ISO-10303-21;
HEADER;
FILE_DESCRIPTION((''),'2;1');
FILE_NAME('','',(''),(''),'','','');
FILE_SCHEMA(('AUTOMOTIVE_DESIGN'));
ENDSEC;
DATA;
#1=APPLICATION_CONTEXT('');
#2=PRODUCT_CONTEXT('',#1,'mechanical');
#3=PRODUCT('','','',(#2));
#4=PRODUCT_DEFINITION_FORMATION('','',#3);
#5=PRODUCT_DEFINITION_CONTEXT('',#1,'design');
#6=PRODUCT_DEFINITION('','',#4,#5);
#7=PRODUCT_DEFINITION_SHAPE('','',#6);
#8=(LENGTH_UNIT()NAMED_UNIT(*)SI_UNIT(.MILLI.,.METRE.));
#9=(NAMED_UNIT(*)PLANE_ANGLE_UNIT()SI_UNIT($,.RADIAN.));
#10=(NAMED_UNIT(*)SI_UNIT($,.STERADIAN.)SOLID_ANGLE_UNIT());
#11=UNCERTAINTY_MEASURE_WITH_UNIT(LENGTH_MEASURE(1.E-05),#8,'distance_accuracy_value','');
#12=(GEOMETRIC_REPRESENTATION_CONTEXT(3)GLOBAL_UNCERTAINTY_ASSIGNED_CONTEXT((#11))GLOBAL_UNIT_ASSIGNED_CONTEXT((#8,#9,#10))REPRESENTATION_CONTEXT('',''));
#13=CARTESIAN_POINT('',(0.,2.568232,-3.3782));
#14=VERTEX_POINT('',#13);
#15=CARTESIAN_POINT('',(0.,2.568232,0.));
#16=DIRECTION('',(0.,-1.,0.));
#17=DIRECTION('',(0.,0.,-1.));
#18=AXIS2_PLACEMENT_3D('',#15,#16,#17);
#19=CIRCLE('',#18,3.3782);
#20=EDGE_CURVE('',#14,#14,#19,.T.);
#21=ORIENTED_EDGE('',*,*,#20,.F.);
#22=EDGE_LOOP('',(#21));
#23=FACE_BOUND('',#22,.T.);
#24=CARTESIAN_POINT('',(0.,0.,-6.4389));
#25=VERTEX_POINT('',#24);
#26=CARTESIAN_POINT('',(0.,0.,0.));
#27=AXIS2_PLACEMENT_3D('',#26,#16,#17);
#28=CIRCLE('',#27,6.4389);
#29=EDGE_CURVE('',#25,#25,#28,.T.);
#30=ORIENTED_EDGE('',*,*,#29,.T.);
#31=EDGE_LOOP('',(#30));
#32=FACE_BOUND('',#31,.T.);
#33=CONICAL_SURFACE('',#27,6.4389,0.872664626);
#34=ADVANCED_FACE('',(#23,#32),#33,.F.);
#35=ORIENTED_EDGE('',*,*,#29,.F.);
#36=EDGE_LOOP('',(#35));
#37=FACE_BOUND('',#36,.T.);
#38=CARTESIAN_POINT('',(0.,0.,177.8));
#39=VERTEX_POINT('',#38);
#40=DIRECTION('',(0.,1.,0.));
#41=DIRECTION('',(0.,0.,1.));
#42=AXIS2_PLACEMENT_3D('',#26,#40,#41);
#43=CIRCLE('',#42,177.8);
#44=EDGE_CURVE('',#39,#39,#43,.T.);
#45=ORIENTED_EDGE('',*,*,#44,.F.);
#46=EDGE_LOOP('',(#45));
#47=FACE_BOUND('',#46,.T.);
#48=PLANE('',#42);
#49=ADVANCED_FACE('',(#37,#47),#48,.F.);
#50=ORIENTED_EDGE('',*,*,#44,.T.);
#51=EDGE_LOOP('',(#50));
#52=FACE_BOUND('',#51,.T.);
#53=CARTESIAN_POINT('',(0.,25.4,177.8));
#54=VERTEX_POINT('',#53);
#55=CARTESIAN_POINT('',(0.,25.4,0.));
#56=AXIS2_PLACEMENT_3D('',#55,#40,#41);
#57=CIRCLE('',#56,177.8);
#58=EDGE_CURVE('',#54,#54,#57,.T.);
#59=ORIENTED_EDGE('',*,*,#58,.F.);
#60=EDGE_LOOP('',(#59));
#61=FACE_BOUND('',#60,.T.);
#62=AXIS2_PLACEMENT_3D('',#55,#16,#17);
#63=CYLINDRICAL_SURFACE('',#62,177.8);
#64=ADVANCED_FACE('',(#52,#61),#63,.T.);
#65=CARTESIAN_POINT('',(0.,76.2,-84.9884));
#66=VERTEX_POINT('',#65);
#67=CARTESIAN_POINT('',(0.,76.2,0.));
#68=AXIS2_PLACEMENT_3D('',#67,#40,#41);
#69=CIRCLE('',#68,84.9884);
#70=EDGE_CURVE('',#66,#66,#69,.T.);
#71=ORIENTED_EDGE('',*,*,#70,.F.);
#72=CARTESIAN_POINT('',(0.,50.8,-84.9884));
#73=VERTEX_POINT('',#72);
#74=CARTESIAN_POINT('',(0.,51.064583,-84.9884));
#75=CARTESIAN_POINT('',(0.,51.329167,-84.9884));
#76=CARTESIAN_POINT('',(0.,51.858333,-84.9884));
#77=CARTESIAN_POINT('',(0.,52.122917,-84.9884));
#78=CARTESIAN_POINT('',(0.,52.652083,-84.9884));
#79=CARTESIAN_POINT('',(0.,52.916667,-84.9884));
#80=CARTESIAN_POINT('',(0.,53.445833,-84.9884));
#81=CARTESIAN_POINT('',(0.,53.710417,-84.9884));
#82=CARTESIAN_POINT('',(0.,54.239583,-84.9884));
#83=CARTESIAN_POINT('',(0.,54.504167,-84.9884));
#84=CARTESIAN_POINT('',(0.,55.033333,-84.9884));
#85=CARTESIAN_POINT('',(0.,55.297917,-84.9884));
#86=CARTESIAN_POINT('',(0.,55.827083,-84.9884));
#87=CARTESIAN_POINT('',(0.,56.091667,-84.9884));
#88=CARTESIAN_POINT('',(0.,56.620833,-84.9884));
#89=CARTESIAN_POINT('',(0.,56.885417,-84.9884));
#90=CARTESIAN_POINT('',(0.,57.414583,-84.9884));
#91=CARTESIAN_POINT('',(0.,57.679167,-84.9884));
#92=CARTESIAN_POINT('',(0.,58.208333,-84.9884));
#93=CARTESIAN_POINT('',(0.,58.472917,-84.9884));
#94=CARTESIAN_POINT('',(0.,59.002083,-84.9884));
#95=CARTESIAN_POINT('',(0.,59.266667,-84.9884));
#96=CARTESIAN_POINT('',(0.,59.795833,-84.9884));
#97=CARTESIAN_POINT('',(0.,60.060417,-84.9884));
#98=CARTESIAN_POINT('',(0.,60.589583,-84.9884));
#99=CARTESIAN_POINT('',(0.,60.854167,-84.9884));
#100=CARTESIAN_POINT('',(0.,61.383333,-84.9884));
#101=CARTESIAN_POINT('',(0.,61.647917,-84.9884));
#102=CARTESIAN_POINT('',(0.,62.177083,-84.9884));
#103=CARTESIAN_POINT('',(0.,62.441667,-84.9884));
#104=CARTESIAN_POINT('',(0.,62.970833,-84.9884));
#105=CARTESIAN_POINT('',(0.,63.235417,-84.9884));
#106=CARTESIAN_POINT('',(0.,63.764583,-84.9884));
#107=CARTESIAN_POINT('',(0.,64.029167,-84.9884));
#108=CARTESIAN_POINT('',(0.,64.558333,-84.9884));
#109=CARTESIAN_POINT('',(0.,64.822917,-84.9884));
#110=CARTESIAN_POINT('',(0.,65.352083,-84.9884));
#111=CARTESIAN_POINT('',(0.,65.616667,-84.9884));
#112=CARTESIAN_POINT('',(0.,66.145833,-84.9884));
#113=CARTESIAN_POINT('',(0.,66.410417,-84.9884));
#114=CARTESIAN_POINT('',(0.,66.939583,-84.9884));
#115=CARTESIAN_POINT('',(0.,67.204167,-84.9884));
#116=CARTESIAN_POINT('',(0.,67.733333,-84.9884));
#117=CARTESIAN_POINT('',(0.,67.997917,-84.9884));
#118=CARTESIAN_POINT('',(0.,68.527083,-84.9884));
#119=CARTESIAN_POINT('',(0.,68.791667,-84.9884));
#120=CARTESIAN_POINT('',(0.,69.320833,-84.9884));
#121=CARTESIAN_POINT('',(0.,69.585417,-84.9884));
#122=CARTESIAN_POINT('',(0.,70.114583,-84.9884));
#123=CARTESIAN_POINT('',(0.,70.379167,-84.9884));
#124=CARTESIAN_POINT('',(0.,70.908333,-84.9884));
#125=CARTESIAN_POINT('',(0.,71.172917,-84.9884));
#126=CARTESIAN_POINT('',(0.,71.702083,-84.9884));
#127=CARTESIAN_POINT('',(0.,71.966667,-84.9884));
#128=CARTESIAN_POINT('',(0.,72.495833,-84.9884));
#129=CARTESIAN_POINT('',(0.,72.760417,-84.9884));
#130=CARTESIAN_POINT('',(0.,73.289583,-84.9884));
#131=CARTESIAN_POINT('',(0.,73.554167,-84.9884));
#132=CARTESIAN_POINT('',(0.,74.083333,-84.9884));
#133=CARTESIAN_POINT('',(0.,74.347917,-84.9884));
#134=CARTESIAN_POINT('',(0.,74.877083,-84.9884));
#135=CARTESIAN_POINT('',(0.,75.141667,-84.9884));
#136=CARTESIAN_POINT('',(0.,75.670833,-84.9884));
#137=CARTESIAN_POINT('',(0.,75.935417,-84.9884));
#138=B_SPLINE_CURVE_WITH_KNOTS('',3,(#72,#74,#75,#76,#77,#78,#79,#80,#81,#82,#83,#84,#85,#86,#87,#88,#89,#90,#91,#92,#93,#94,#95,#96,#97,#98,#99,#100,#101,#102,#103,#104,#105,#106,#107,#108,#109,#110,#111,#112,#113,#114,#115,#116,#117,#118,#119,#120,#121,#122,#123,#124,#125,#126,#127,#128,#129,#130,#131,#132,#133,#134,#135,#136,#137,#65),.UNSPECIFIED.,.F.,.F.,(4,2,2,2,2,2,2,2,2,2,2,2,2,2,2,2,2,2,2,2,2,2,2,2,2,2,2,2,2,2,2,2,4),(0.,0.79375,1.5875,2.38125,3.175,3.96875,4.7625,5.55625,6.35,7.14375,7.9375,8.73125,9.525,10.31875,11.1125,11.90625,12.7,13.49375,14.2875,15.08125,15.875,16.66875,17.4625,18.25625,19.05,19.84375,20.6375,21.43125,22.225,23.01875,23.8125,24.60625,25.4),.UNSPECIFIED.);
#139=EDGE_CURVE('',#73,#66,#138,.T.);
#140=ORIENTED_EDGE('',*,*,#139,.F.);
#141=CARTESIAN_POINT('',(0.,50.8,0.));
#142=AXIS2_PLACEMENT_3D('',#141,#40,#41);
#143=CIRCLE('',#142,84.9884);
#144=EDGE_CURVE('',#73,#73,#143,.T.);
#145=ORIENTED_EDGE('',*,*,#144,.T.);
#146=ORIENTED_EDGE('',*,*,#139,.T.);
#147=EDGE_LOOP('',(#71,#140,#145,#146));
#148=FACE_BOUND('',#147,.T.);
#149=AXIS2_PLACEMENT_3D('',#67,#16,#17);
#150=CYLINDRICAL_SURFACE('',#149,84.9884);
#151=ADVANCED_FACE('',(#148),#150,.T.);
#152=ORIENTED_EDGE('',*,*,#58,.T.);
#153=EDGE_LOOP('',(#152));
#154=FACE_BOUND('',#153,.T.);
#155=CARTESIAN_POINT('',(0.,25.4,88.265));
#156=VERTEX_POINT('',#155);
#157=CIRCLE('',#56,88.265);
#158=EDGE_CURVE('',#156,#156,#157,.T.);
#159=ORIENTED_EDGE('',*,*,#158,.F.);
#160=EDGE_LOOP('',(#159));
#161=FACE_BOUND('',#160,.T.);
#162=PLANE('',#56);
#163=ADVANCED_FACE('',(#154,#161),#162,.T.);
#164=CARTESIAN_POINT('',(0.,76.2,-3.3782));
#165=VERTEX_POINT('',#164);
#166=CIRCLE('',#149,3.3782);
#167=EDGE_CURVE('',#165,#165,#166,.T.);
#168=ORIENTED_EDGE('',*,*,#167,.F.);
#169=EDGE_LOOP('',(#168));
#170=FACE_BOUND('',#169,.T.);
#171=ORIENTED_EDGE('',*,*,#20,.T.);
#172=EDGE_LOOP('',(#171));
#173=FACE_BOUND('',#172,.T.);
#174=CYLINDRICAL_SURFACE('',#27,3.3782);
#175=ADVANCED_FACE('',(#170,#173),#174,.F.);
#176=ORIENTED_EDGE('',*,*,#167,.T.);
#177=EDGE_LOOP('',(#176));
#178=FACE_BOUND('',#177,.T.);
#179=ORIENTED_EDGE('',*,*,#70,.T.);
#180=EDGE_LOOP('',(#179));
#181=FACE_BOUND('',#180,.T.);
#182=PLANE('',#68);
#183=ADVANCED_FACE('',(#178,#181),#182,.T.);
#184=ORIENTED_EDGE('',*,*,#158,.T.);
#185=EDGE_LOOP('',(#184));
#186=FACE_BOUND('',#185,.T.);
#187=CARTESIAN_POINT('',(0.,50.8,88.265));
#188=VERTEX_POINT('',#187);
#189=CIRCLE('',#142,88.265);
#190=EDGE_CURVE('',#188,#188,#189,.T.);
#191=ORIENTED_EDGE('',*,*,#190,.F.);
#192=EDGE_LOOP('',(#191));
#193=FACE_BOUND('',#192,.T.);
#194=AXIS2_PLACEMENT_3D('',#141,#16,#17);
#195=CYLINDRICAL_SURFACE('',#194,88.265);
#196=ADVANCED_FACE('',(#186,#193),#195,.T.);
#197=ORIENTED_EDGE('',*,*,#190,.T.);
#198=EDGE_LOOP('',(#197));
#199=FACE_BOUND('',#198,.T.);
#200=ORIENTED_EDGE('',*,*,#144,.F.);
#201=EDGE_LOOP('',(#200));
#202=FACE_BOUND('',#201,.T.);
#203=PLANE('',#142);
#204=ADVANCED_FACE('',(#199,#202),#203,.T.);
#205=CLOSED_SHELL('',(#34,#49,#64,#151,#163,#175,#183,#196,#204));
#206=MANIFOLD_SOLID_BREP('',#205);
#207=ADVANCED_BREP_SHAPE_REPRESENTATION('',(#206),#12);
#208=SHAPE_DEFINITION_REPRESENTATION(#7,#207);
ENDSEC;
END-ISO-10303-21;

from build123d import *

# Parameters (mm, degrees)
SKETCH1_R                                           = 84.9884
BOSS_EXTRUDE1_DEPTH                                 = 76.2
SKETCH1_3_R                                         = 88.265
SKETCH1_3_R_2                                       = 84.9884
BOSS_EXTRUDE2_DEPTH                                 = 50.8
SKETCH1_4_R                                         = 177.8
SKETCH1_4_R_2                                       = 88.265
BOSS_EXTRUDE3_DEPTH                                 = 25.4
CSK_FOR_1_4_FLAT_HEAD_MACHINE_SCREW_100_D           = 6.7564
CSK_FOR_1_4_FLAT_HEAD_MACHINE_SCREW_100_CSINK_D     = 12.8778
CSK_FOR_1_4_FLAT_HEAD_MACHINE_SCREW_100_CSINK_ANGLE = 100


with BuildPart() as part:
    # Sketch1 → Boss-Extrude1 (new body)
    with BuildSketch(Plane(origin=(0, 0, 0), x_dir=(1, 0, 0), z_dir=(0, 1, 0))):
        Circle(SKETCH1_R)
    extrude(amount=BOSS_EXTRUDE1_DEPTH)

    # Sketch1<3> → Boss-Extrude2 (add)
    with BuildSketch(Plane(origin=(0, 0, 0), x_dir=(1, 0, 0), z_dir=(0, 1, 0))):
        Circle(SKETCH1_3_R)
        Circle(SKETCH1_3_R_2, mode=Mode.SUBTRACT)
    extrude(amount=BOSS_EXTRUDE2_DEPTH)

    # Sketch1<4> → Boss-Extrude3 (add)
    with BuildSketch(Plane(origin=(0, 0, 0), x_dir=(1, 0, 0), z_dir=(0, 1, 0))):
        Circle(SKETCH1_4_R)
        Circle(SKETCH1_4_R_2, mode=Mode.SUBTRACT)
    extrude(amount=BOSS_EXTRUDE3_DEPTH)

    # CSK for 1/4 Flat Head Machine Screw (100)1 (through all)
    with Locations(Plane(origin=(0, 0, 0), x_dir=(-1, 0, 0), z_dir=(0, -1, 0))):
        with Locations((0, 0)):
            CounterSinkHole(CSK_FOR_1_4_FLAT_HEAD_MACHINE_SCREW_100_D / 2, CSK_FOR_1_4_FLAT_HEAD_MACHINE_SCREW_100_CSINK_D / 2, counter_sink_angle=CSK_FOR_1_4_FLAT_HEAD_MACHINE_SCREW_100_CSINK_ANGLE)


solid = part.part
